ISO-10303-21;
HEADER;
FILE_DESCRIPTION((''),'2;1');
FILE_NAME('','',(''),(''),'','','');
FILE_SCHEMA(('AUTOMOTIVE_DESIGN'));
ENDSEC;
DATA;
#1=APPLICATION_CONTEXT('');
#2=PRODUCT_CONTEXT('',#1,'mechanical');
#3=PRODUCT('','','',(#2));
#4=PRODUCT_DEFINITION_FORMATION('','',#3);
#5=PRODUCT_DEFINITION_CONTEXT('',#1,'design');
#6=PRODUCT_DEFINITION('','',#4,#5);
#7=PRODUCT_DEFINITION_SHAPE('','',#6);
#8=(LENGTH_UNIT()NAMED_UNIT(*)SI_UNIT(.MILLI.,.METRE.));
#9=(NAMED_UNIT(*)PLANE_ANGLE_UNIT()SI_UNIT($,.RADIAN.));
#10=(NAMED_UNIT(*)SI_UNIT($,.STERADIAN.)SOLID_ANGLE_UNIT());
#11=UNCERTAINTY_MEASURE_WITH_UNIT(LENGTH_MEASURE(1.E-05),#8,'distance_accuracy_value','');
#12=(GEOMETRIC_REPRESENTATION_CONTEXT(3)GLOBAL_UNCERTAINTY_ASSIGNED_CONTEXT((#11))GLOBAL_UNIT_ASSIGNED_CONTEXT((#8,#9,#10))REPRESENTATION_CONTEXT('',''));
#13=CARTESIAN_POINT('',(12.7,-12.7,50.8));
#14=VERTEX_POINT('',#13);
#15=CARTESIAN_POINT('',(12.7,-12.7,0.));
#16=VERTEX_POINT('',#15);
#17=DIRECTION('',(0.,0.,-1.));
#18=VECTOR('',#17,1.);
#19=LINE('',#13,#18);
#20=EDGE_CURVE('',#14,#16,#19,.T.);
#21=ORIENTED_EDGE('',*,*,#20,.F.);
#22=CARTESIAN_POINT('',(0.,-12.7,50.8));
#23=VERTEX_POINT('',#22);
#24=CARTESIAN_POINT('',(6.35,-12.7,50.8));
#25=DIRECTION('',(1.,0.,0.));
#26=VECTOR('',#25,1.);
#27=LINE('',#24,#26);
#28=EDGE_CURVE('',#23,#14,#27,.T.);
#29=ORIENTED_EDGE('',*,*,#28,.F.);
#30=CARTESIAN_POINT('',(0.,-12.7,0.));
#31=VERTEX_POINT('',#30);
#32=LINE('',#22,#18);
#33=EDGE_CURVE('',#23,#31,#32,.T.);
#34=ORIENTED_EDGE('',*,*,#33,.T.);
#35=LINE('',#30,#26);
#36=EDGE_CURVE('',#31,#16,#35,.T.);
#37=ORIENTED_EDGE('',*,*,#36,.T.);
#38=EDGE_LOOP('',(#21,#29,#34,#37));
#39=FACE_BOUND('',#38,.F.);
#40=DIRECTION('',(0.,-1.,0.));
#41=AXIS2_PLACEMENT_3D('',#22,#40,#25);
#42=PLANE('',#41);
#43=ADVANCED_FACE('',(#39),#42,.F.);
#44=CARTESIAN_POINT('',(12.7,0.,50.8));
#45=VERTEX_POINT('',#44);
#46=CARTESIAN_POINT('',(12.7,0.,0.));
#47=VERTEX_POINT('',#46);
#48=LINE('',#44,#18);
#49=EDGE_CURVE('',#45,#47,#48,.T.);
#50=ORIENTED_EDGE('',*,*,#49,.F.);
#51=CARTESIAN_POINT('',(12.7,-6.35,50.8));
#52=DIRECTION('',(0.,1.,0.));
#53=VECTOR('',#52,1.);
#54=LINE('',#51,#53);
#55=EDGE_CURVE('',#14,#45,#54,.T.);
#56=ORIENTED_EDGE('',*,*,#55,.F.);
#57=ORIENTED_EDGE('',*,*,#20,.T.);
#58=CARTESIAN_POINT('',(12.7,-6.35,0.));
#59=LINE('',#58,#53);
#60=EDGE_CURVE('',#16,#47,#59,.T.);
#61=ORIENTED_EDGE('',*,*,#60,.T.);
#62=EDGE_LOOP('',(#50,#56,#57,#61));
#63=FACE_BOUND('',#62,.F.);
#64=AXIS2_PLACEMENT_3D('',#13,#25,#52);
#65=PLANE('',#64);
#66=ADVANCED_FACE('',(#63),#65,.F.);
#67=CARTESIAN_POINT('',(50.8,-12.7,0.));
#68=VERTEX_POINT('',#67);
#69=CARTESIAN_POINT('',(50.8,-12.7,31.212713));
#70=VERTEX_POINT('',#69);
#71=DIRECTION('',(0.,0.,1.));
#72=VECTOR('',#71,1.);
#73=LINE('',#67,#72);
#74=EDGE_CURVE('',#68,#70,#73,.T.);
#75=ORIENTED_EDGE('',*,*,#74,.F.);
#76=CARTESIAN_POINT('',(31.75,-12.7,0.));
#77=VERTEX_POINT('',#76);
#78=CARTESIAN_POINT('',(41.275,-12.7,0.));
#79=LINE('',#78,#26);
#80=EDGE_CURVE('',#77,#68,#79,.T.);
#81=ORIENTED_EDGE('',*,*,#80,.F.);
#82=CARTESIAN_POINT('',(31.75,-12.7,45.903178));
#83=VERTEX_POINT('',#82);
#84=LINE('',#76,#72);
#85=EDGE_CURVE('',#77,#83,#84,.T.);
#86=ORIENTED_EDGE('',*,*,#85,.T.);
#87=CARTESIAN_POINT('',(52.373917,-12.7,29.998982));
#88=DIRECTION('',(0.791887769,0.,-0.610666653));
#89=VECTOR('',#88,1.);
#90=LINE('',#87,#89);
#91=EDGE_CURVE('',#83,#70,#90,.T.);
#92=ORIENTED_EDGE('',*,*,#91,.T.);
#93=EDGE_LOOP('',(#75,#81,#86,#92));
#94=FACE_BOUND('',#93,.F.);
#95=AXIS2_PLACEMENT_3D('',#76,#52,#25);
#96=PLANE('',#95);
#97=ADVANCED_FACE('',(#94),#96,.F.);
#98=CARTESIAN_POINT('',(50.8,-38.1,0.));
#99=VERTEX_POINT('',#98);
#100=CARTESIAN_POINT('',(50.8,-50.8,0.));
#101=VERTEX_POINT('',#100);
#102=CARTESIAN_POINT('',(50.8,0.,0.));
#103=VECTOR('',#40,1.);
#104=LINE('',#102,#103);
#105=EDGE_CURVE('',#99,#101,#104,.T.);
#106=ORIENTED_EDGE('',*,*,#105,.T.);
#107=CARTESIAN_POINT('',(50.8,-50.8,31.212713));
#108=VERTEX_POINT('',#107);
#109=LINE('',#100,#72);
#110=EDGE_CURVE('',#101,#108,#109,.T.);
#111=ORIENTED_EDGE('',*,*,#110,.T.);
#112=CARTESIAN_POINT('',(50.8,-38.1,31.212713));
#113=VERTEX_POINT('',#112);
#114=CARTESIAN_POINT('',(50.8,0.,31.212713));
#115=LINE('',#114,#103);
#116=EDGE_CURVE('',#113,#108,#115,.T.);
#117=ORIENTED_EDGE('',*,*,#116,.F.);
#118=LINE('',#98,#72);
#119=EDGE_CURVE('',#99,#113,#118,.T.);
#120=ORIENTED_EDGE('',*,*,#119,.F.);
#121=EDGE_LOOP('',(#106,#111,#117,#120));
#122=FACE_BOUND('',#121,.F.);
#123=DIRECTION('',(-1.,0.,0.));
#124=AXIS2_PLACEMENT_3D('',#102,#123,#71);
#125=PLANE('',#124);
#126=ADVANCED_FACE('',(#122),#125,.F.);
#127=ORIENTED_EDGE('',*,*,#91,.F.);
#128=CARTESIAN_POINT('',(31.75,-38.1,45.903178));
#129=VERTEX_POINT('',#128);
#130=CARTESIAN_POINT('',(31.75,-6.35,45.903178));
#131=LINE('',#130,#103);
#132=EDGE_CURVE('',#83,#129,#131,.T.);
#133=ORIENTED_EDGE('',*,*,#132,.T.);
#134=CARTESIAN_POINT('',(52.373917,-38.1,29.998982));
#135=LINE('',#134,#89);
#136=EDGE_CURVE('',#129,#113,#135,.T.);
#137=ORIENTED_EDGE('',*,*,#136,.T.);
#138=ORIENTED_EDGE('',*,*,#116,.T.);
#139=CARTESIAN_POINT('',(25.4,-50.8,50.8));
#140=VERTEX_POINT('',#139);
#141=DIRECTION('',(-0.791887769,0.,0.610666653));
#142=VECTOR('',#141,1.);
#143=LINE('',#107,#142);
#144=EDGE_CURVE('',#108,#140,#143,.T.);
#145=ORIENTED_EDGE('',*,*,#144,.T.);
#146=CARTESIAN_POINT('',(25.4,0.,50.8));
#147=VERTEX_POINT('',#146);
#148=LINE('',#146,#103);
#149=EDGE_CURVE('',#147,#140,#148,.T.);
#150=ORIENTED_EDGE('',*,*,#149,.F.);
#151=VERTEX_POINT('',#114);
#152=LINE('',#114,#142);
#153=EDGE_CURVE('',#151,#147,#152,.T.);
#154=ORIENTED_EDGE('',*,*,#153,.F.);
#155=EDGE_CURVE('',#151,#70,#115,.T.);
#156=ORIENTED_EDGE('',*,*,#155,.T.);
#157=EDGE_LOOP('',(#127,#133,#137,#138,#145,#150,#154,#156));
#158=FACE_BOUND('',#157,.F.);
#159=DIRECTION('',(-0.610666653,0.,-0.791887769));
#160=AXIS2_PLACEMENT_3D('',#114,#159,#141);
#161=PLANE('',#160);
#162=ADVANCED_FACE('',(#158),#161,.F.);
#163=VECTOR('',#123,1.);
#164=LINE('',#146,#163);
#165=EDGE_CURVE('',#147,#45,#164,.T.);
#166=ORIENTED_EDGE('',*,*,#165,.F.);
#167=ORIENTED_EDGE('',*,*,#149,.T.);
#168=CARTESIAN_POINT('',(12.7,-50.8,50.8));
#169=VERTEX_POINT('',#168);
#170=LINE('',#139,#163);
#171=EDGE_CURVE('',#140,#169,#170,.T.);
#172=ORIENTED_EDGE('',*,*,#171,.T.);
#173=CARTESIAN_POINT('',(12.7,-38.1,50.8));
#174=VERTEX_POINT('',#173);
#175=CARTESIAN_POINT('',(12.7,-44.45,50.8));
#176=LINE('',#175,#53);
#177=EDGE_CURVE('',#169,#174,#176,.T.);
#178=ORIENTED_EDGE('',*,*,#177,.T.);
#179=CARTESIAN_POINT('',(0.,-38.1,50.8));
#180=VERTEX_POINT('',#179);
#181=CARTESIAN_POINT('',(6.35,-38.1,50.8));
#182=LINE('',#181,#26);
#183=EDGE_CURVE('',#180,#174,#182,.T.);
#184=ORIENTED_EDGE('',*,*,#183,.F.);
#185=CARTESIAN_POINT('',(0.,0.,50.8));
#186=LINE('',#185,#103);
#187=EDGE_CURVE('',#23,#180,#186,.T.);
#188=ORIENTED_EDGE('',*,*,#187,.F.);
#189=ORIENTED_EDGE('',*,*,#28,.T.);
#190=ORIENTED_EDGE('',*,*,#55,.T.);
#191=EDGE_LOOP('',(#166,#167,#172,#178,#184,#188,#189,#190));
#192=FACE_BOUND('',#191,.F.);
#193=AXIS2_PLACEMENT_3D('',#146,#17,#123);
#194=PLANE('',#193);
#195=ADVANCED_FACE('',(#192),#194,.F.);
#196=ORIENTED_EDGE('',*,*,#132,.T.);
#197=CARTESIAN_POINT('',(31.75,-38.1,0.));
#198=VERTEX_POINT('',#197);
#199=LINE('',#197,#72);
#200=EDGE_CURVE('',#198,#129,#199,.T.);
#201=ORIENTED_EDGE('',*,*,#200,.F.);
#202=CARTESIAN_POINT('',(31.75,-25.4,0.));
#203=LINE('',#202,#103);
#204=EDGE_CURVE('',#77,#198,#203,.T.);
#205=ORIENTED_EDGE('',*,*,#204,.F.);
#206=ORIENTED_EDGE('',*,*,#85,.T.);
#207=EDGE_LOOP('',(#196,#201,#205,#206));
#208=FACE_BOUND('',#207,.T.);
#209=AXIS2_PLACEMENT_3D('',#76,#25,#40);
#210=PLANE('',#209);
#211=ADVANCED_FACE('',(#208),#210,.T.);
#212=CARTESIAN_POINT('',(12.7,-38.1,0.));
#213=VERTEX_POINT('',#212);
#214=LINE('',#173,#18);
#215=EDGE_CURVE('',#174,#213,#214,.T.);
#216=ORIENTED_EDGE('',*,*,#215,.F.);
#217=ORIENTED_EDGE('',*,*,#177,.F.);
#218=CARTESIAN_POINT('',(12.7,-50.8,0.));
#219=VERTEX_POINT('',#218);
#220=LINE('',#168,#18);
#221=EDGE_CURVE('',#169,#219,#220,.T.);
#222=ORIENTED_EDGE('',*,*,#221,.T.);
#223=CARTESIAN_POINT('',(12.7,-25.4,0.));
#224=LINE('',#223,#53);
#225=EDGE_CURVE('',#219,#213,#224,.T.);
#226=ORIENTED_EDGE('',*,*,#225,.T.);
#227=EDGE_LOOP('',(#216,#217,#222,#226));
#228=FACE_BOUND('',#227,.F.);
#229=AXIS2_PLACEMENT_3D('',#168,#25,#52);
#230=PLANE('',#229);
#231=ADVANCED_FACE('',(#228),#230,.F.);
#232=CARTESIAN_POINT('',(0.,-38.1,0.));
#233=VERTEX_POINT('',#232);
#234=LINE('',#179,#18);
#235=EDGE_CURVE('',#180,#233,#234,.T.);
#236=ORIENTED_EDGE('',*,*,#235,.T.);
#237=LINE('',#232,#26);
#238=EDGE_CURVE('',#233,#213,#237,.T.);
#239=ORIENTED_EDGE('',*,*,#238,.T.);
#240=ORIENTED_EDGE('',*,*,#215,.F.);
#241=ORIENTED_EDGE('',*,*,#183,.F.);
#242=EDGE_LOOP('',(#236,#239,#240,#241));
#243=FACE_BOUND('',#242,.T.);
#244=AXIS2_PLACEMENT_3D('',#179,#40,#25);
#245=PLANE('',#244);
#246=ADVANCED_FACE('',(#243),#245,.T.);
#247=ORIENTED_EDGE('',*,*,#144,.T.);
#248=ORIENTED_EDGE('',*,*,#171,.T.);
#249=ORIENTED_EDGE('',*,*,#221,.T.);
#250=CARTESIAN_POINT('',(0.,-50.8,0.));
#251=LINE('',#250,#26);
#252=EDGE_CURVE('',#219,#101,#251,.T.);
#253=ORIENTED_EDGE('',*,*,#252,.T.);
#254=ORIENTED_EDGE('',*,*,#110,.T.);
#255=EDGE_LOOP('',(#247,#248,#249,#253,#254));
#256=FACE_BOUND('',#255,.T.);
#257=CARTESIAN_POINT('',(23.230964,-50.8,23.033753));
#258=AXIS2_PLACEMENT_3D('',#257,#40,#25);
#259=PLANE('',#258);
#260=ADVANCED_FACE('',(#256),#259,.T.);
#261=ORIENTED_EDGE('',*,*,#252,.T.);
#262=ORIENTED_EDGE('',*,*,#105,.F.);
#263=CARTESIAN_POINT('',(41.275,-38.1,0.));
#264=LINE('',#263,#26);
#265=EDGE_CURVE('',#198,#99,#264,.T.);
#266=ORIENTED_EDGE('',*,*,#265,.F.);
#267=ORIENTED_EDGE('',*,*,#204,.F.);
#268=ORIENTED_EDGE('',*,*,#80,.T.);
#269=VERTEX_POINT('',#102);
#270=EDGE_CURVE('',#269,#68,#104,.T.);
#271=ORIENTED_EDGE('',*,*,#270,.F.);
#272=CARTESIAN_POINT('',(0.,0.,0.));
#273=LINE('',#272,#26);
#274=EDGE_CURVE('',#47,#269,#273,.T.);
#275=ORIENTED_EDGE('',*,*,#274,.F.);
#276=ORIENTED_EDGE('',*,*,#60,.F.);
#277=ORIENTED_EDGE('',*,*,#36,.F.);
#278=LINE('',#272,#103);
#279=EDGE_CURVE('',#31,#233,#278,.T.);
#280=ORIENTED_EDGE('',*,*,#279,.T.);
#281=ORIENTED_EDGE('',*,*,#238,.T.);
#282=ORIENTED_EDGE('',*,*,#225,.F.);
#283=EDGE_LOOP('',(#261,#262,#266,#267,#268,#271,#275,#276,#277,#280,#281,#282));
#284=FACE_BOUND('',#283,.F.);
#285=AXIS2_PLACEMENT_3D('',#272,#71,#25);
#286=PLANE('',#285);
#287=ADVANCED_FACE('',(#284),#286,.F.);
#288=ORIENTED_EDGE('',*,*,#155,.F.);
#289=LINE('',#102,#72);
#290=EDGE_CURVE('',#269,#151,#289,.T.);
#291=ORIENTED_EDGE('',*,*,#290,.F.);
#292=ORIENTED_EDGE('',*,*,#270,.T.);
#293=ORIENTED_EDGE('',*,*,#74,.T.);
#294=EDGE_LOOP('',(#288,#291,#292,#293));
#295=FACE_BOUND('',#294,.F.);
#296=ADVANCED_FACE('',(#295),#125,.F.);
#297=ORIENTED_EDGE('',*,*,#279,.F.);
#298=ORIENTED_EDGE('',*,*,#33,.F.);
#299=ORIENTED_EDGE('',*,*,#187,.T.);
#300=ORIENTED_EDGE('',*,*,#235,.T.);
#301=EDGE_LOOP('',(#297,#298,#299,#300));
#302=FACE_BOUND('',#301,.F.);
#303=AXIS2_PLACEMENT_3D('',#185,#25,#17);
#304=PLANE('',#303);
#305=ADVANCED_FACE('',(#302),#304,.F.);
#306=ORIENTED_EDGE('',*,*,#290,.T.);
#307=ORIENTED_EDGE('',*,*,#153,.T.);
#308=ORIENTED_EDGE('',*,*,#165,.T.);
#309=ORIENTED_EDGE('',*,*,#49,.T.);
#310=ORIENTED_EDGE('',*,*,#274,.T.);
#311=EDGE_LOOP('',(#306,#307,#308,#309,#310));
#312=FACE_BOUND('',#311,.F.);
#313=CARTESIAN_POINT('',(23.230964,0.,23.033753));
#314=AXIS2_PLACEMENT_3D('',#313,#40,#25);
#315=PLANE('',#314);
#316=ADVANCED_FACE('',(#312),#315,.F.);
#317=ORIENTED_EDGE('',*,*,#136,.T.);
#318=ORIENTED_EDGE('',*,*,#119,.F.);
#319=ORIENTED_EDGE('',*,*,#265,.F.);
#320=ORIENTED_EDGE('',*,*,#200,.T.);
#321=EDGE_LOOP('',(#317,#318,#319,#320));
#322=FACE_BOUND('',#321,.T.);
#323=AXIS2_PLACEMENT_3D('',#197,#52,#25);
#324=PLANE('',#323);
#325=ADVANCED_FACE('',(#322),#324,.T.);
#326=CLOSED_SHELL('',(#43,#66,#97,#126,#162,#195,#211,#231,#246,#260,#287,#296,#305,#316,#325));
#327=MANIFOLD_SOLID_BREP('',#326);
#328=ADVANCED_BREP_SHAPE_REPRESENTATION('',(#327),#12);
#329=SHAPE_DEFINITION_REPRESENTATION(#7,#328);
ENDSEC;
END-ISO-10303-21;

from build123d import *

# Parameters (mm, degrees)
F1_DEPTH = 50.8
F2_W     = 12.7
F2_H     = 12.7
F3_DEPTH = 50.801
F4_W     = 19.05
F4_H     = 25.4
F5_DEPTH = 50.801


with BuildPart() as f1:
    # F0 (on Front) → F1 (new body)
    with BuildSketch(Plane.XZ):
        Polygon((25.4, 50.8), (0, 50.8), (0, 0), (50.8, 0), (50.8, 31.212713), align=None)
    extrude(amount=F1_DEPTH)

    # F2 (on face) → F3 (cut, through all)
    with BuildSketch(Plane.XY.offset(50.8)):
        with Locations((6.35, -6.35)):
            Rectangle(F2_W, F2_H)
        with Locations((6.35, -44.45)):
            Rectangle(F2_W, F2_H)
    extrude(amount=-F3_DEPTH, mode=Mode.SUBTRACT)

    # F4 (on face) → F5 (cut, through all)
    with BuildSketch(Plane(origin=(0, 0, 0), x_dir=(1, 0, 0), z_dir=(0, 0, -1))):
        with Locations((41.275, 25.4)):
            Rectangle(F4_W, F4_H)
    extrude(amount=-F5_DEPTH, mode=Mode.SUBTRACT)


solid = f1.part
